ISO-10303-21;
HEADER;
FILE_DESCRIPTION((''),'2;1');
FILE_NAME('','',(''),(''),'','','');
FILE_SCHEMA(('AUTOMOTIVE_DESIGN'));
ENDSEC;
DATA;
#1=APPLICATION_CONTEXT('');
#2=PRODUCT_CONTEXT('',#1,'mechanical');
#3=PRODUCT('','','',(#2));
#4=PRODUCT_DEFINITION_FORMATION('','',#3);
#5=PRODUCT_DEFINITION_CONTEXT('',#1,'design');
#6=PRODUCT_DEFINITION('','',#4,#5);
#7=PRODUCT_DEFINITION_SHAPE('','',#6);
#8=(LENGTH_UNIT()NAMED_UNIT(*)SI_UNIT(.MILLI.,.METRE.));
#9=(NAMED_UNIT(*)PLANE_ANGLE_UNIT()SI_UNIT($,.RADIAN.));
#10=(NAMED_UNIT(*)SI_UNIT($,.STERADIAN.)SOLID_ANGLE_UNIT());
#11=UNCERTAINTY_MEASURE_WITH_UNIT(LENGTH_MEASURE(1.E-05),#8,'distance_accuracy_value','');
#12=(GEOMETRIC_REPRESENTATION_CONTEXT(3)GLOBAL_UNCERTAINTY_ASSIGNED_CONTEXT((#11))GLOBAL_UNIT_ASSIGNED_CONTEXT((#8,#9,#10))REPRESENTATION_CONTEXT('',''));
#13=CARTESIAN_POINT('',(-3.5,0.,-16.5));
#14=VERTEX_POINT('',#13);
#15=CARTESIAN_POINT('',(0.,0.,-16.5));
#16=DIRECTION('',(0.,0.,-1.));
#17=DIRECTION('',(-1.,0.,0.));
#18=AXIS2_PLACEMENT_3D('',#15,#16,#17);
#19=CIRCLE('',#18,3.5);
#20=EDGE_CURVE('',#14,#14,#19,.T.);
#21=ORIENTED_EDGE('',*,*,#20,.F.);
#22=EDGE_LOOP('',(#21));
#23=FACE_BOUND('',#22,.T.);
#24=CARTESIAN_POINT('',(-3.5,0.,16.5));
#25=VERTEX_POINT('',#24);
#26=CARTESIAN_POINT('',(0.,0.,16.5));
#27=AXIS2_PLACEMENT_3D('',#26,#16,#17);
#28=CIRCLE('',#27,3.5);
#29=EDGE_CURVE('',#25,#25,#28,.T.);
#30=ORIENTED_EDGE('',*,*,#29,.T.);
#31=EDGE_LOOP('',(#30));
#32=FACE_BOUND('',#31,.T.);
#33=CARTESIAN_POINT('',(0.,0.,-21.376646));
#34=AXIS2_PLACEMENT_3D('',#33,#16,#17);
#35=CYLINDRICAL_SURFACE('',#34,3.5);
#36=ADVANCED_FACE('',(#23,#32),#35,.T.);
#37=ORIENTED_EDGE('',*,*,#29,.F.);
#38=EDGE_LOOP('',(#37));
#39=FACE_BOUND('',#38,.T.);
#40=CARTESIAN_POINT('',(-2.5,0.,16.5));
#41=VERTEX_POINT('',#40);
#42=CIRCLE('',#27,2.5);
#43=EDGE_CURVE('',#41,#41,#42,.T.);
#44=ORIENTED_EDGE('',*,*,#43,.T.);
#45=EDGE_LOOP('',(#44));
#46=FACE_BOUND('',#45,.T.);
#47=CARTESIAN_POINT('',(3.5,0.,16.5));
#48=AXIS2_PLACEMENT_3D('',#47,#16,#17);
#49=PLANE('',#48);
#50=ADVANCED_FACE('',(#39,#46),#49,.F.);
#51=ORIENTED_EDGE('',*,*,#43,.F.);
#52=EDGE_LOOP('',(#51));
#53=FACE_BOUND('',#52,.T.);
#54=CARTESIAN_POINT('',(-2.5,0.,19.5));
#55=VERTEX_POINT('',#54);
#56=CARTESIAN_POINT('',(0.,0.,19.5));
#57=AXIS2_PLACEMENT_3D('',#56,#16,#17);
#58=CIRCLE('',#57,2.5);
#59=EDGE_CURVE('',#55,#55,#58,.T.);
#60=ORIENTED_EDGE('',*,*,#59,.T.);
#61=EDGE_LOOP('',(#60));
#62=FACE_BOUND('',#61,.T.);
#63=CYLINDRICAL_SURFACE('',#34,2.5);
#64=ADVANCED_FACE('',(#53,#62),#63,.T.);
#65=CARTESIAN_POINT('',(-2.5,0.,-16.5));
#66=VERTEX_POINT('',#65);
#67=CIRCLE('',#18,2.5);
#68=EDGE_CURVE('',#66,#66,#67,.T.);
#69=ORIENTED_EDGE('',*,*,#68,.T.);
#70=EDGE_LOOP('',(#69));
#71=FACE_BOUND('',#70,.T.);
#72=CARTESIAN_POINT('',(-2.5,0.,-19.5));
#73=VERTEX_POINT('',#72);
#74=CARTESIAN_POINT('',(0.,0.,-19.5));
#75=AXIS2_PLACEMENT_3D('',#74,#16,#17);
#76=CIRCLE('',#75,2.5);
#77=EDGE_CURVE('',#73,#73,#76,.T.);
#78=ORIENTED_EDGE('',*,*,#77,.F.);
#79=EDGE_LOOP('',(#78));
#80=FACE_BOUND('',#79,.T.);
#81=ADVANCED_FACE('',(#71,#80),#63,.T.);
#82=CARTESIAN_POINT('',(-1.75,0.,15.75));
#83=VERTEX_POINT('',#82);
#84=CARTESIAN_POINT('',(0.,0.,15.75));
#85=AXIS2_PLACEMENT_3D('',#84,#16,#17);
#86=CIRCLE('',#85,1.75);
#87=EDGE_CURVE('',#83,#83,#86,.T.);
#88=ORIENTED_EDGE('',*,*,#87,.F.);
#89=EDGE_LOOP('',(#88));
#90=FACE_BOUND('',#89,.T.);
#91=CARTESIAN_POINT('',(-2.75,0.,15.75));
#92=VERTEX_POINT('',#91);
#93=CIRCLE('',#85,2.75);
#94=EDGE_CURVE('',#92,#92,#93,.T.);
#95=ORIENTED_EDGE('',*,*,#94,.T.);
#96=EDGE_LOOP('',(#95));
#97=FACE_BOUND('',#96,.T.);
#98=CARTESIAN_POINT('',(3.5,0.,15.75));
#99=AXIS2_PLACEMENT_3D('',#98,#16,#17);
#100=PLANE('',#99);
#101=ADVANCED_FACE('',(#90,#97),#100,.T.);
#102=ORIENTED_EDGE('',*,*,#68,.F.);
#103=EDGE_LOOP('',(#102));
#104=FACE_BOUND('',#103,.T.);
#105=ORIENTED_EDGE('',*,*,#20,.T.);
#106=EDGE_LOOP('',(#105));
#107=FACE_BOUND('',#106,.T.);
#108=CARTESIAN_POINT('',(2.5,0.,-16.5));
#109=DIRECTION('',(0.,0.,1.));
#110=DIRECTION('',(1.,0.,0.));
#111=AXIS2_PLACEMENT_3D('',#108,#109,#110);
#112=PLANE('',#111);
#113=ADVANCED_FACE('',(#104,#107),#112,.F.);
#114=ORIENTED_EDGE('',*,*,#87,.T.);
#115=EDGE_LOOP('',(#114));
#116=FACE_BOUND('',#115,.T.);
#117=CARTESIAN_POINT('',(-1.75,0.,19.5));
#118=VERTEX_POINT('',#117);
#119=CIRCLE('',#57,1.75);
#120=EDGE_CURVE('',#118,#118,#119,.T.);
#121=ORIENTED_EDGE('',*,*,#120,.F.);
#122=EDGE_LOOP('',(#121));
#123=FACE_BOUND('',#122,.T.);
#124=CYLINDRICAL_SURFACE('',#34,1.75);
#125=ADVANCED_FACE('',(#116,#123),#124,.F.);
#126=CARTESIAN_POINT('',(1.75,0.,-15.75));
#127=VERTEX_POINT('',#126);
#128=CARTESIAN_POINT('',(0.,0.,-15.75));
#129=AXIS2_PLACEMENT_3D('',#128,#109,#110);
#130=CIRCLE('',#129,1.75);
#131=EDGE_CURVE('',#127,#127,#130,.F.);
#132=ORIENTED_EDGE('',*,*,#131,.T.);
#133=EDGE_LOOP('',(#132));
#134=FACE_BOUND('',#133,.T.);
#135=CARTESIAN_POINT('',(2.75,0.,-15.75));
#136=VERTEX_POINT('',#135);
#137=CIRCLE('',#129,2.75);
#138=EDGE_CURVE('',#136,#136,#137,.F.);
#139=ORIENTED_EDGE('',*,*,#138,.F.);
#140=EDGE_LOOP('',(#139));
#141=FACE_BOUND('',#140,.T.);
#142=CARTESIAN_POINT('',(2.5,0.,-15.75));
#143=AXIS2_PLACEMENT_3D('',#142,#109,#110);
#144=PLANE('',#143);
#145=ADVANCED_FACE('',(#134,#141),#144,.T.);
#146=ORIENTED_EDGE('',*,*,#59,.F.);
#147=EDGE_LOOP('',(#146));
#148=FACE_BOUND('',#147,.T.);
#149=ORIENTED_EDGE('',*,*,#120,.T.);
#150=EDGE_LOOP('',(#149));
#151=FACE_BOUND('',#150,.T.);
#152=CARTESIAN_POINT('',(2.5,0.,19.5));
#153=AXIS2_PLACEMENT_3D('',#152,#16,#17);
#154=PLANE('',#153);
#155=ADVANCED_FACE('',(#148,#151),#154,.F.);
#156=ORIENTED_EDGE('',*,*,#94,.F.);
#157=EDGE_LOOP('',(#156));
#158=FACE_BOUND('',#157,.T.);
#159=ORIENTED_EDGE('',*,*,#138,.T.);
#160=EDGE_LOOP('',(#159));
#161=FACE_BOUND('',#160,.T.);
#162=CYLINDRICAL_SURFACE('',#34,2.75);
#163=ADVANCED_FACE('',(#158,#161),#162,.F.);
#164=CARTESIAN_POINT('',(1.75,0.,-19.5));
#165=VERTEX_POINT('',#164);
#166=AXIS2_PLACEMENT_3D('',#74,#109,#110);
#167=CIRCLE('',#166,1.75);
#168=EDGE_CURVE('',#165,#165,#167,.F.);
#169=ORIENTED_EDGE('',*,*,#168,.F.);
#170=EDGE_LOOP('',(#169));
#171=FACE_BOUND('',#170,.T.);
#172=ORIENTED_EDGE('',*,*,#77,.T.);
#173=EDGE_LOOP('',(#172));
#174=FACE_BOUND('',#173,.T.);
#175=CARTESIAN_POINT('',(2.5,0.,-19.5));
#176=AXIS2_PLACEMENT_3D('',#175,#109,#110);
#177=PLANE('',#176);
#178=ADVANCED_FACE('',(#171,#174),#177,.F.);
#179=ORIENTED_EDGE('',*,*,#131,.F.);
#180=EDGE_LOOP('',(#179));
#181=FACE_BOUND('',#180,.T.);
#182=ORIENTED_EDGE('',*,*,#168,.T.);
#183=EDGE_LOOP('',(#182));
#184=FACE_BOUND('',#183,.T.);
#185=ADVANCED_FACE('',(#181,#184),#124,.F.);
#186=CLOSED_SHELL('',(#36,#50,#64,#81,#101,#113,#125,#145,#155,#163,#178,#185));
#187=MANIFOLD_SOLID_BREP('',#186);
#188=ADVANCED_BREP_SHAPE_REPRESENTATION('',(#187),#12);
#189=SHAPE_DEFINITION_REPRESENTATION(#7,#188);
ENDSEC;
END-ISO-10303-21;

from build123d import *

# Parameters (mm, degrees)
SHELL1_T = -0.75


with BuildPart() as part:
    # Sketch1 → Revolve1 (revolve)
    with BuildSketch(Plane(origin=(0, 0, 0), x_dir=(1, 0, 0), z_dir=(0, 1, 0)), mode=Mode.PRIVATE) as revolve1_sk:
        Polygon((3.5, 16.5), (3.5, -16.5), (2.5, -16.5), (2.5, -19.5), (0, -19.5), (0, -16.5), (0, 16.5), (0, 19.5), (2.5, 19.5), (2.5, 16.5), align=None)
    revolve(revolve1_sk.sketch.rotate(Axis((0, 0, -21.376645948), (0, 0, 1)), 180), axis=Axis((0, 0, -21.376645948), (0, 0, 1)))

    # Shell1
    shell1_openings = [part.faces().sort_by_distance(p)[0] for p in [
        (0, 0, -19.5),
        (0, 0, 19.5),
    ]]
    offset(amount=SHELL1_T, openings=shell1_openings, kind=Kind.INTERSECTION)


solid = part.part
